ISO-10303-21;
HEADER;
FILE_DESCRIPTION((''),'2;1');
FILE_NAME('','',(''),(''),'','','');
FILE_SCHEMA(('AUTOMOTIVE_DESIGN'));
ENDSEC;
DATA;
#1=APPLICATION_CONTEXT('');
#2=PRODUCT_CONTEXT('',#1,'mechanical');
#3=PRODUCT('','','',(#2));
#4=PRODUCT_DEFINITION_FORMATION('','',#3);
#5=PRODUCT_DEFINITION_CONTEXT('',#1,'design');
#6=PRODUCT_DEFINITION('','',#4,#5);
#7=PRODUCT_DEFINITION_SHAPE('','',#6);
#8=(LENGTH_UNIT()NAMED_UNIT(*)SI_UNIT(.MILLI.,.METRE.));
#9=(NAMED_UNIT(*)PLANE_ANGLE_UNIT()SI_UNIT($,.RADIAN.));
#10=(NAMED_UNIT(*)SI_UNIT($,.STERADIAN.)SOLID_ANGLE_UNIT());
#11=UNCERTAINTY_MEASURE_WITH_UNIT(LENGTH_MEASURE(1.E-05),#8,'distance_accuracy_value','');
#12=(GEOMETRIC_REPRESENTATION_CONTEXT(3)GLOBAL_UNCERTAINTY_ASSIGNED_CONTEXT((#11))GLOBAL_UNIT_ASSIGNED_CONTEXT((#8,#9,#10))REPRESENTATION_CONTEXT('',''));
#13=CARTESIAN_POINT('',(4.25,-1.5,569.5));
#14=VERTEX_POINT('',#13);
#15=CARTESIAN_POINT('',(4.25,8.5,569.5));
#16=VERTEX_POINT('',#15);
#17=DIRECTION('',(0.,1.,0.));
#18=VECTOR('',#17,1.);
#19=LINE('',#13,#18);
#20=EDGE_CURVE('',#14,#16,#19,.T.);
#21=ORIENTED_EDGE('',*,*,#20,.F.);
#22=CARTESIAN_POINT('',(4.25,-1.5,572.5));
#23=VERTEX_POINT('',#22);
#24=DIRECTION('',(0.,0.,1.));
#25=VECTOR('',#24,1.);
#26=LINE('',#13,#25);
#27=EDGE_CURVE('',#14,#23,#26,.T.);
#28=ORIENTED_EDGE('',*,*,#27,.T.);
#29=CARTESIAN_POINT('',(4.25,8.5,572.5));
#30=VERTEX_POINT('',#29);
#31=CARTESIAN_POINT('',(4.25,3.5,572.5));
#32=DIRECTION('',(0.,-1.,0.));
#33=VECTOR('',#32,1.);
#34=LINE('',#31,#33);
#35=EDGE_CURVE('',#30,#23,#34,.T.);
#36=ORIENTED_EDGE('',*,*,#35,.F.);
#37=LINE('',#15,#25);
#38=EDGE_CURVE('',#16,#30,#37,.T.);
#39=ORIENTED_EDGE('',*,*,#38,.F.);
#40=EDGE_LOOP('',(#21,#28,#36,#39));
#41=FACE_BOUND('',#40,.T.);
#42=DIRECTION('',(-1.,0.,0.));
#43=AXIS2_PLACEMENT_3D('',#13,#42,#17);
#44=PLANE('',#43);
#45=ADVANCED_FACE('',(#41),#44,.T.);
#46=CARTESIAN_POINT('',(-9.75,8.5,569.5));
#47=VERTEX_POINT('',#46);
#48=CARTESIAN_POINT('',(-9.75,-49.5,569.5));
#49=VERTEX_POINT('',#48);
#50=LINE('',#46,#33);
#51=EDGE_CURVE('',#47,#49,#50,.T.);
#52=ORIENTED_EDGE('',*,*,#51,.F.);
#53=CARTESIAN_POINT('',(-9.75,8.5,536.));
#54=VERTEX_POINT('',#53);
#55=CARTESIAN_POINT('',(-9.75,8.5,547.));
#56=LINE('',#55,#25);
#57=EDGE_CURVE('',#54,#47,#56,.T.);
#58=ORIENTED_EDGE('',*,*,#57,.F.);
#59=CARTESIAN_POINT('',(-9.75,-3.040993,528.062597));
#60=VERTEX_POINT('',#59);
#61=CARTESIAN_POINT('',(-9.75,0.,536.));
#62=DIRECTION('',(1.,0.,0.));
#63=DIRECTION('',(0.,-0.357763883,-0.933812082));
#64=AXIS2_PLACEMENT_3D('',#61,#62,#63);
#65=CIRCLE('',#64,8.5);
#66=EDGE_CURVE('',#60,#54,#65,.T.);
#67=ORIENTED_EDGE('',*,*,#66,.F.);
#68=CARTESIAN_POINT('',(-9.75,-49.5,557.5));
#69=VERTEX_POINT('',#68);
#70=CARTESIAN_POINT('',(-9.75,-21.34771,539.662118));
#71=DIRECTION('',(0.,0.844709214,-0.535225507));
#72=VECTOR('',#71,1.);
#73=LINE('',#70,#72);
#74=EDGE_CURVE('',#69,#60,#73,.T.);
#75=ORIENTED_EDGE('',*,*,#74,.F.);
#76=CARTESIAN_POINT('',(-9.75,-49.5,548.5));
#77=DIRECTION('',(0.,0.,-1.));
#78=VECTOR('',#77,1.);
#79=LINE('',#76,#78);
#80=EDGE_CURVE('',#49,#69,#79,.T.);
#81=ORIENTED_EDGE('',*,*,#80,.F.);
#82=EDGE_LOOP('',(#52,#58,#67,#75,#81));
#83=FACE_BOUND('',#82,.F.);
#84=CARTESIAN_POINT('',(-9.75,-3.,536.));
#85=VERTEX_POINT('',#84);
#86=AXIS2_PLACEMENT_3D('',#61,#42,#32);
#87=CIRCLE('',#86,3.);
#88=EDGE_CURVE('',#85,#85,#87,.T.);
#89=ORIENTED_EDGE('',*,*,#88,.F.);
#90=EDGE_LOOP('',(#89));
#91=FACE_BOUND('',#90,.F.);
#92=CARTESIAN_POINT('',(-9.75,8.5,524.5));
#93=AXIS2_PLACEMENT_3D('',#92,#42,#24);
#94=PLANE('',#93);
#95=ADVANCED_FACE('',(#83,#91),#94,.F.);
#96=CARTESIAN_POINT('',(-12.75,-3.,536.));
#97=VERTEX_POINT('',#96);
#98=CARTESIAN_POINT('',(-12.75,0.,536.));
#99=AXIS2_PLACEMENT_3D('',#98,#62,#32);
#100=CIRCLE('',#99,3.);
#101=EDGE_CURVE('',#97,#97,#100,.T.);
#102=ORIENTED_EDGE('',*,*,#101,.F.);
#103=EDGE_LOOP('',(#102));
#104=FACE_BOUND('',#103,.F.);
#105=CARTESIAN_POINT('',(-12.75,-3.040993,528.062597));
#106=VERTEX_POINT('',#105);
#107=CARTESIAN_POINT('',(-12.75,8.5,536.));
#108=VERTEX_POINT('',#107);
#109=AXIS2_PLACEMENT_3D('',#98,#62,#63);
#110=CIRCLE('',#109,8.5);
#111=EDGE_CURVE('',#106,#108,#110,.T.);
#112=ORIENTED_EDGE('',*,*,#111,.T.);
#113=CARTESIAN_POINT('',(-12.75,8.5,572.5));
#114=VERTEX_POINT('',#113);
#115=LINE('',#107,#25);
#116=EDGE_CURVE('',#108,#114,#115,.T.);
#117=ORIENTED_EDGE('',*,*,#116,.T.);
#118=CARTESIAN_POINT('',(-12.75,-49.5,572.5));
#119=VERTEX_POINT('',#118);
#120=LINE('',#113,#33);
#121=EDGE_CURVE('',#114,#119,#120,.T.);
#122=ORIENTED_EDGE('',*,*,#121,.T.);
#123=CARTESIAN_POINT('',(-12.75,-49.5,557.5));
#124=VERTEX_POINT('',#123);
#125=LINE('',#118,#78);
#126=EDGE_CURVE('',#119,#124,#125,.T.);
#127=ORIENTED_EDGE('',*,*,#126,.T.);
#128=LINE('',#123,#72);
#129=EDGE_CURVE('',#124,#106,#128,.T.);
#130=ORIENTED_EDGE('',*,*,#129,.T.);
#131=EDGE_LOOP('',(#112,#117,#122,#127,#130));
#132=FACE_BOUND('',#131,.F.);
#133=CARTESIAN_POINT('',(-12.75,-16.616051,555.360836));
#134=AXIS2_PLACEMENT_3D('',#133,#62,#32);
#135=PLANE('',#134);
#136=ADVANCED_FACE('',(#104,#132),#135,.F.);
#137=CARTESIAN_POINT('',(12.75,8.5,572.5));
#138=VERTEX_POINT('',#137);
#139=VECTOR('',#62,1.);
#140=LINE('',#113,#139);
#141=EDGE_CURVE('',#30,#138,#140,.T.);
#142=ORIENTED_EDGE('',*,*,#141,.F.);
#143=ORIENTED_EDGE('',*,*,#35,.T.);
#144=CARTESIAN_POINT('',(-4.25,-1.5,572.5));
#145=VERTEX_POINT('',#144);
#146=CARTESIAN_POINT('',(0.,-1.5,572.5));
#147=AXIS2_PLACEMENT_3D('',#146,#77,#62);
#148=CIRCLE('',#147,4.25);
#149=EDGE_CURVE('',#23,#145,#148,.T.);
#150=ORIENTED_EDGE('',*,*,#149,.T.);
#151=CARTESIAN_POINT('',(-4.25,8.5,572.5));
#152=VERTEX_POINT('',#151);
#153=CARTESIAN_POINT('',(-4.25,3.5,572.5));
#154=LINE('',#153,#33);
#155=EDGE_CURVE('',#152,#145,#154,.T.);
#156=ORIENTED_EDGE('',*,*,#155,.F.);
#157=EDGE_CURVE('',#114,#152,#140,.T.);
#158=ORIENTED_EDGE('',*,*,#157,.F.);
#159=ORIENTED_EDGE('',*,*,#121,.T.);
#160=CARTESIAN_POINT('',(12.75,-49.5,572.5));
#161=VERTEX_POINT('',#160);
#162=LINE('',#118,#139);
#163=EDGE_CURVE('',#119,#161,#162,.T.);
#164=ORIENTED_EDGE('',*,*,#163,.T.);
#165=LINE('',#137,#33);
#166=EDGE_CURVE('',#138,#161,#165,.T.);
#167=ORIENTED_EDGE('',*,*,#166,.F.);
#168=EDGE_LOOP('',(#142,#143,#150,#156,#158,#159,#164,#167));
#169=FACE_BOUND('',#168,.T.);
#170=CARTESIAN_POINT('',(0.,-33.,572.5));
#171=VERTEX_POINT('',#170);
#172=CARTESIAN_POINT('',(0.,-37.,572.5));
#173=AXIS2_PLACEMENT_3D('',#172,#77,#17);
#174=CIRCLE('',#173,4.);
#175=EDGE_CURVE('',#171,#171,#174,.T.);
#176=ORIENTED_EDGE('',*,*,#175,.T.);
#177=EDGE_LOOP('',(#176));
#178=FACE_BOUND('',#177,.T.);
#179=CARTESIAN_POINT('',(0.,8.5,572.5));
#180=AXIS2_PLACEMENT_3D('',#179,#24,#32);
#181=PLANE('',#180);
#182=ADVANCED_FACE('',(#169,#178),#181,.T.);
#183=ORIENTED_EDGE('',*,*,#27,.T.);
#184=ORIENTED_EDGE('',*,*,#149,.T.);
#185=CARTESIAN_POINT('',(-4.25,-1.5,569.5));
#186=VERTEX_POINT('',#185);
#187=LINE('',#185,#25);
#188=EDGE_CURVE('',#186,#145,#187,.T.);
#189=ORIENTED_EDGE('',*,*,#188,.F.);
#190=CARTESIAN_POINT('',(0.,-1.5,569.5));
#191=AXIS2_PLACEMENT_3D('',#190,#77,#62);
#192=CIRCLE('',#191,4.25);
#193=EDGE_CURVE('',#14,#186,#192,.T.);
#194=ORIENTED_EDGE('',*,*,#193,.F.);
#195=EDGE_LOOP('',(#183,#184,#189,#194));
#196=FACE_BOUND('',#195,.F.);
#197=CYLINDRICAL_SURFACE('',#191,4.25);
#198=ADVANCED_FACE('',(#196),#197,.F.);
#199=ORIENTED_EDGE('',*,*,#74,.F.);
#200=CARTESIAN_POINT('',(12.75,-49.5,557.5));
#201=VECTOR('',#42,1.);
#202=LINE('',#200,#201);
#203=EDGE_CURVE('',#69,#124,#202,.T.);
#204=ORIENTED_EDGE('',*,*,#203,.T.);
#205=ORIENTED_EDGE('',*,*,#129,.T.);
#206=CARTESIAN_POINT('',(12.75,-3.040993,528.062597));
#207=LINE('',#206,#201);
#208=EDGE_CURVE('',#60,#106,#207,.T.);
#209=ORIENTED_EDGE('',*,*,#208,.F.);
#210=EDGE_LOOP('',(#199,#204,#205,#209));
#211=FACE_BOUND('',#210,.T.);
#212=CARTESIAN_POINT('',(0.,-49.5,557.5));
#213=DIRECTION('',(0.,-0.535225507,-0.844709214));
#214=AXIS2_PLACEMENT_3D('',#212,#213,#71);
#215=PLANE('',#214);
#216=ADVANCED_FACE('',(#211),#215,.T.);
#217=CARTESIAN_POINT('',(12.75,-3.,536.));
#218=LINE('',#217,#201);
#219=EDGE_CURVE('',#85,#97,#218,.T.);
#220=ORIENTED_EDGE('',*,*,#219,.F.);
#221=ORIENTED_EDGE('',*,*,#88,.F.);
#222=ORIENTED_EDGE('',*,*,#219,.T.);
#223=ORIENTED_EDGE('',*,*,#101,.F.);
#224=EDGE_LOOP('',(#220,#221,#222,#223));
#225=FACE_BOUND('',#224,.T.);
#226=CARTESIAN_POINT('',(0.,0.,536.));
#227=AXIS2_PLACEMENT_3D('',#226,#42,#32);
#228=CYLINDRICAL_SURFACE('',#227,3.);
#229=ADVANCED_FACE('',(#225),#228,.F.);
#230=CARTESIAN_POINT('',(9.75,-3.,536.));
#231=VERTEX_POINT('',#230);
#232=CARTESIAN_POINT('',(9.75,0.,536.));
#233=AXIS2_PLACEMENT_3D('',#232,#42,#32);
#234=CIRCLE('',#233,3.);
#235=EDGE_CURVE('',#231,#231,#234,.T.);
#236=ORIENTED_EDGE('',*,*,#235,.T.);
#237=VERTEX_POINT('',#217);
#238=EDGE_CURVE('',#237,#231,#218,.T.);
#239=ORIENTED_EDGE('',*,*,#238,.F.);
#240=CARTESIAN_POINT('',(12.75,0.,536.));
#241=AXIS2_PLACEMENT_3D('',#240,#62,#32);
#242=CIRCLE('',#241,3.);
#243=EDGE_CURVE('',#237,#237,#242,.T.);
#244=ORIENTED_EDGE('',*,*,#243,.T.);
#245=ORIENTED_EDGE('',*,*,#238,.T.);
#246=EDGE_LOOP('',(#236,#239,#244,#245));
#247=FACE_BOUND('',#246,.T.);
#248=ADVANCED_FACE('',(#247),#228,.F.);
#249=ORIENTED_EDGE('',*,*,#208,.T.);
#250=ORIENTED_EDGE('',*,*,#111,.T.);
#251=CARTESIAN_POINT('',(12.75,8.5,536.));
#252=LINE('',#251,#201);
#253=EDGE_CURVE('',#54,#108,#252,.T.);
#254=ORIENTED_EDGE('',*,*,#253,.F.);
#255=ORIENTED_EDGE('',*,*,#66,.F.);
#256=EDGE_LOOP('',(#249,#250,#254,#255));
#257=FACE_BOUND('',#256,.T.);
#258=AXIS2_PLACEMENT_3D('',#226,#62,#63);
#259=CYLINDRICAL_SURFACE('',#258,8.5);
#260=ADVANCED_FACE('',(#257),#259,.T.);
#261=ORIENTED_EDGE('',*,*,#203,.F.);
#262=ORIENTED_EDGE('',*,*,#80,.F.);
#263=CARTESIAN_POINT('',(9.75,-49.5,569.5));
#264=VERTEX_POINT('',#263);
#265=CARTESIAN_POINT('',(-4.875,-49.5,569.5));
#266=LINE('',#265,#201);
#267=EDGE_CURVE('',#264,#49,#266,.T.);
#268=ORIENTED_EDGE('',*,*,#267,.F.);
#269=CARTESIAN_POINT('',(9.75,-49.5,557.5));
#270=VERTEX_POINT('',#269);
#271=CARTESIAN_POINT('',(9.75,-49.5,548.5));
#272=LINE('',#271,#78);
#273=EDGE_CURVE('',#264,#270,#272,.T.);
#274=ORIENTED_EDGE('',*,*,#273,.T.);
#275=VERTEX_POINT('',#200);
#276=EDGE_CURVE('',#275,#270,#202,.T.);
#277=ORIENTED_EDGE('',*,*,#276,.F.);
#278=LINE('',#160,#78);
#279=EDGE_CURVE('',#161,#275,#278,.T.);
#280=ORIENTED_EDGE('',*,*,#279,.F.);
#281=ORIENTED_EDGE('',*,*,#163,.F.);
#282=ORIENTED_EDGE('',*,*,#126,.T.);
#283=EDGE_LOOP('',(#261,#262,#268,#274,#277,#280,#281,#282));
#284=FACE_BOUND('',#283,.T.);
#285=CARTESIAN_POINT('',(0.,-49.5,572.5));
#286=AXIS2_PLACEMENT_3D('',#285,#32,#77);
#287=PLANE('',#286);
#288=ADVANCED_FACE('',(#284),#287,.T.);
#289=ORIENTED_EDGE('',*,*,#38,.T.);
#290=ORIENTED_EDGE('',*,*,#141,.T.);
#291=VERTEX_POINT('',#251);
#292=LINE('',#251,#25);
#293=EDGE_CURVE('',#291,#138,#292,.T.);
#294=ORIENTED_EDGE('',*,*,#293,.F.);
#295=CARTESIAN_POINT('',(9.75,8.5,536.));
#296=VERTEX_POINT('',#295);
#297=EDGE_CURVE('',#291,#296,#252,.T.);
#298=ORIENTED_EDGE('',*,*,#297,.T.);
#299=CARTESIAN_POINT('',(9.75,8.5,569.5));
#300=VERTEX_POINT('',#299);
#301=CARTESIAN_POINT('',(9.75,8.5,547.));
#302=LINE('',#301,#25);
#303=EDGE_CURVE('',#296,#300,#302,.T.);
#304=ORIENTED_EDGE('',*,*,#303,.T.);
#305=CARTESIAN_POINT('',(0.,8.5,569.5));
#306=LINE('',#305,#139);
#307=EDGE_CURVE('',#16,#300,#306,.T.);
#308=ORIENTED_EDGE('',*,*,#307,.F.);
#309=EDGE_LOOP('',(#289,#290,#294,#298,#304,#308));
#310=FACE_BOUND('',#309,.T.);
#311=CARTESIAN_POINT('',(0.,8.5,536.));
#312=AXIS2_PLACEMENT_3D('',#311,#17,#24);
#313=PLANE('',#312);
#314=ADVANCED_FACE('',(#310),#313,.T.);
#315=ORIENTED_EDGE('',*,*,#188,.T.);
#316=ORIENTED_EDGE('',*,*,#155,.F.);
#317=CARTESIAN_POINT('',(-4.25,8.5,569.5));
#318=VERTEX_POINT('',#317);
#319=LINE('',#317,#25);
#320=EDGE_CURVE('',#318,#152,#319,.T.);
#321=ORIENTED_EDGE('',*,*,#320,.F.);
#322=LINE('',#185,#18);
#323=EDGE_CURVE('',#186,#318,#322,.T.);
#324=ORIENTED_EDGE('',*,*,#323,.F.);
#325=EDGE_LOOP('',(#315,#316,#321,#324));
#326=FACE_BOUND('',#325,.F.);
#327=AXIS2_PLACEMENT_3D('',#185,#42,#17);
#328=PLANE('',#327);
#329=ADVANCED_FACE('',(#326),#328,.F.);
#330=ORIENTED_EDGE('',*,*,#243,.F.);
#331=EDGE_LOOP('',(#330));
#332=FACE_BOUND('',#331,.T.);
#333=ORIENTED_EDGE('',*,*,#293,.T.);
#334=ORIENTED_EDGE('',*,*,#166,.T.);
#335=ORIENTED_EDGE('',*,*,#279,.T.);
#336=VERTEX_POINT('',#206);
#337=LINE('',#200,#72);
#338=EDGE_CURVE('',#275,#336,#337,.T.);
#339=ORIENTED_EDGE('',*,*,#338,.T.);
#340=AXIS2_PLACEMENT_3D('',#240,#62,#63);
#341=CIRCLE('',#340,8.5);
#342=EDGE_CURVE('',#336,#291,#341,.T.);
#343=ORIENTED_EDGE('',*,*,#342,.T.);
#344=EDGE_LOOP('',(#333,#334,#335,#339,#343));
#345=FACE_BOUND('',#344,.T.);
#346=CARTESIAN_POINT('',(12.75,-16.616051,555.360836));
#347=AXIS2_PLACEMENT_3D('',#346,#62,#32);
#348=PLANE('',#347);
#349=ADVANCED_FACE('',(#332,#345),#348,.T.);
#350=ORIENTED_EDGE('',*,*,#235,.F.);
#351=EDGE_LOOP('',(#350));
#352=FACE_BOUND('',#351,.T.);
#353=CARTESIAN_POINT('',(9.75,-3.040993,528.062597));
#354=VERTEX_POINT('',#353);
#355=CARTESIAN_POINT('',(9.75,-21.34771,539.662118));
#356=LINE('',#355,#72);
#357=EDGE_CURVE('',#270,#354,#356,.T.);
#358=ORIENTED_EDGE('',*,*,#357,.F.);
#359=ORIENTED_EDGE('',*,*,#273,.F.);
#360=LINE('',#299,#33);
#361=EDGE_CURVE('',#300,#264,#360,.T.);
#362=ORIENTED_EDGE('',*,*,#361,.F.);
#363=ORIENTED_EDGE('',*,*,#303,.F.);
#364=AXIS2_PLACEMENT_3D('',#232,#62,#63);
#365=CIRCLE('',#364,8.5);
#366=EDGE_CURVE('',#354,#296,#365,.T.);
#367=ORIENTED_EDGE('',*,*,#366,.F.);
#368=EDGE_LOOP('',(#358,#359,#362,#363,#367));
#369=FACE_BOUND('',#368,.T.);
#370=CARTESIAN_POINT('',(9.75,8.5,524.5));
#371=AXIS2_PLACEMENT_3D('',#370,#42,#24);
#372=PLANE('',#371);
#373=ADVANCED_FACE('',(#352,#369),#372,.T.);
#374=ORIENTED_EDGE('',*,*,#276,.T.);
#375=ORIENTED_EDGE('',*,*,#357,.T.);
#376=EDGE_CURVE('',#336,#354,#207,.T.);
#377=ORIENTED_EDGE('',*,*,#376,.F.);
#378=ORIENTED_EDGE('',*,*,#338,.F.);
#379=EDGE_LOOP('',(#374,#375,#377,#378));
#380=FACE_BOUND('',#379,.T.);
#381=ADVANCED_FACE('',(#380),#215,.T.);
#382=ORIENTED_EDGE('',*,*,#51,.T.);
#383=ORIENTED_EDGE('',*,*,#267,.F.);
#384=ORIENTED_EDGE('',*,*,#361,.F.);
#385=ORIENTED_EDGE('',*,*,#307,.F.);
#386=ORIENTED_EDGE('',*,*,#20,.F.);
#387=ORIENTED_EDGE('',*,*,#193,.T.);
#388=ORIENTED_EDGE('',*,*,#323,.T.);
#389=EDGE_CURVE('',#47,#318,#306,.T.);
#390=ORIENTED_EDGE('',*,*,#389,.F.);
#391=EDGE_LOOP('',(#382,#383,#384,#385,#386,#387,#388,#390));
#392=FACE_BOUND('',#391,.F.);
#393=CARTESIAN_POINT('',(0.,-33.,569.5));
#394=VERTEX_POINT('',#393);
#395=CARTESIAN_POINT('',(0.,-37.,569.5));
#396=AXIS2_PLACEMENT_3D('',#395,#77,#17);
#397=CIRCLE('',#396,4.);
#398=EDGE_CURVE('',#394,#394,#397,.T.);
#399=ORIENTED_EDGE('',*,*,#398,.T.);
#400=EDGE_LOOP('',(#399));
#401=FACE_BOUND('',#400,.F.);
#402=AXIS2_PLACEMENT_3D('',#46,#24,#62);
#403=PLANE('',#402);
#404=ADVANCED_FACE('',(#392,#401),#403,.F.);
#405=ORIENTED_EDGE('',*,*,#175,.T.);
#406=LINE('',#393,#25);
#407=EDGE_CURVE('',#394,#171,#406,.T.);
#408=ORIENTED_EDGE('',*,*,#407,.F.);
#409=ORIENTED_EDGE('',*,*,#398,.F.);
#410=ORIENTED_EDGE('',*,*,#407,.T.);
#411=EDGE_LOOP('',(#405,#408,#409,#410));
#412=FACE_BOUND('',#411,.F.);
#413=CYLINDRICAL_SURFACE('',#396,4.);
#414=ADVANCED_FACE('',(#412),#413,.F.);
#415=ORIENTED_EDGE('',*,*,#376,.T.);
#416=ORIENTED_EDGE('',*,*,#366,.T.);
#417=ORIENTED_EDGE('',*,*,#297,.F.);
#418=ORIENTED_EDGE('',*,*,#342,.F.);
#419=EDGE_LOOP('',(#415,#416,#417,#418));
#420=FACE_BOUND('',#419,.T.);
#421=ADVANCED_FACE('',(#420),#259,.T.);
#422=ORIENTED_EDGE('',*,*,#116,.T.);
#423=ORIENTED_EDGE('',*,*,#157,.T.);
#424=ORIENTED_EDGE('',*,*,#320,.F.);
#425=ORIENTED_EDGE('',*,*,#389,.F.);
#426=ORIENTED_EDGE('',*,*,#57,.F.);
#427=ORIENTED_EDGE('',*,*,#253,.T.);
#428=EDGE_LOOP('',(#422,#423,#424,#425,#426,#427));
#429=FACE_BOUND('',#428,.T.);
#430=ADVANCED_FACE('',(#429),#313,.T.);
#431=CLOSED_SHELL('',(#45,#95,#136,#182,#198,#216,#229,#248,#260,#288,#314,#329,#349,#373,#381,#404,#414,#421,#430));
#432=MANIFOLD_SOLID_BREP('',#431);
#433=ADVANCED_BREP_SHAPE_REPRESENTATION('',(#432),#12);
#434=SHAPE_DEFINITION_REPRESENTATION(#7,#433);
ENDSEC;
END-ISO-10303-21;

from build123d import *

# Parameters (mm, degrees)
SKETCH012_R             = 3
PAD007_DEPTH            = 12.75
SKETCH013_W             = 45
SKETCH013_H             = 19.5
POCKET004_DEPTH         = 58.001
SKETCH014_R             = 4
POCKET005_DEPTH         = 3.001
BODY003_ROLL_ANGLE      = 180
BODY003_PLACEMENT_ANGLE = -90


with BuildPart() as part:
    # Sketch012 → Pad007 (new body, symmetric)
    with BuildSketch(Plane.XZ):
        with BuildLine():
            Line((-8.5, 0), (-8.5, -36.5))
            Line((-8.5, -36.5), (49.5, -36.5))
            Line((49.5, -36.5), (49.5, -21.5))
            Line((49.5, -21.5), (3.040993, 7.937403))
            ThreePointArc((3.040993, 7.937403), (-4.816719, 7.003515), (-8.5, 0))
        make_face()
        Circle(SKETCH012_R, mode=Mode.SUBTRACT)
    extrude(amount=PAD007_DEPTH, both=True)

    # Sketch013 (on Face1 of Pad007) → Pocket004 (cut, through all)
    with BuildSketch(Plane(origin=(-8.5, 0, 0), x_dir=(0, 0, -1), z_dir=(-1, 0, 0))):
        with Locations((11, 0)):
            Rectangle(SKETCH013_W, SKETCH013_H)
    extrude(amount=-POCKET004_DEPTH, mode=Mode.SUBTRACT)

    # Sketch014 (on Face7 of Pocket004) → Pocket005 (cut, through all)
    with BuildSketch(Plane(origin=(0, 0, -33.5), x_dir=(-1, 0, 0), z_dir=(0, 0, 1))):
        with Locations((-37, 0)):
            Circle(SKETCH014_R)
        with BuildLine():
            Line((-1.5, 4.25), (8.5, 4.25))
            Line((8.5, 4.25), (8.5, -4.25))
            Line((-1.5, -4.25), (8.5, -4.25))
            ThreePointArc((-1.5, 4.25), (-5.75, 0), (-1.5, -4.25))
        make_face()
    extrude(amount=-POCKET005_DEPTH, mode=Mode.SUBTRACT)


with BuildPart() as part_1:
    # Body003 roll: moved
    add(part.part.rotate(Axis((0, 0, 0), (1, 0, 0)), BODY003_ROLL_ANGLE))


with BuildPart() as part_2:
    # Body003 placement: moved
    add(part_1.part.moved(Location((0, 0, 536))).rotate(Axis((0, 0, 536), (0, 0, 1)), BODY003_PLACEMENT_ANGLE))


solid = part_2.part
